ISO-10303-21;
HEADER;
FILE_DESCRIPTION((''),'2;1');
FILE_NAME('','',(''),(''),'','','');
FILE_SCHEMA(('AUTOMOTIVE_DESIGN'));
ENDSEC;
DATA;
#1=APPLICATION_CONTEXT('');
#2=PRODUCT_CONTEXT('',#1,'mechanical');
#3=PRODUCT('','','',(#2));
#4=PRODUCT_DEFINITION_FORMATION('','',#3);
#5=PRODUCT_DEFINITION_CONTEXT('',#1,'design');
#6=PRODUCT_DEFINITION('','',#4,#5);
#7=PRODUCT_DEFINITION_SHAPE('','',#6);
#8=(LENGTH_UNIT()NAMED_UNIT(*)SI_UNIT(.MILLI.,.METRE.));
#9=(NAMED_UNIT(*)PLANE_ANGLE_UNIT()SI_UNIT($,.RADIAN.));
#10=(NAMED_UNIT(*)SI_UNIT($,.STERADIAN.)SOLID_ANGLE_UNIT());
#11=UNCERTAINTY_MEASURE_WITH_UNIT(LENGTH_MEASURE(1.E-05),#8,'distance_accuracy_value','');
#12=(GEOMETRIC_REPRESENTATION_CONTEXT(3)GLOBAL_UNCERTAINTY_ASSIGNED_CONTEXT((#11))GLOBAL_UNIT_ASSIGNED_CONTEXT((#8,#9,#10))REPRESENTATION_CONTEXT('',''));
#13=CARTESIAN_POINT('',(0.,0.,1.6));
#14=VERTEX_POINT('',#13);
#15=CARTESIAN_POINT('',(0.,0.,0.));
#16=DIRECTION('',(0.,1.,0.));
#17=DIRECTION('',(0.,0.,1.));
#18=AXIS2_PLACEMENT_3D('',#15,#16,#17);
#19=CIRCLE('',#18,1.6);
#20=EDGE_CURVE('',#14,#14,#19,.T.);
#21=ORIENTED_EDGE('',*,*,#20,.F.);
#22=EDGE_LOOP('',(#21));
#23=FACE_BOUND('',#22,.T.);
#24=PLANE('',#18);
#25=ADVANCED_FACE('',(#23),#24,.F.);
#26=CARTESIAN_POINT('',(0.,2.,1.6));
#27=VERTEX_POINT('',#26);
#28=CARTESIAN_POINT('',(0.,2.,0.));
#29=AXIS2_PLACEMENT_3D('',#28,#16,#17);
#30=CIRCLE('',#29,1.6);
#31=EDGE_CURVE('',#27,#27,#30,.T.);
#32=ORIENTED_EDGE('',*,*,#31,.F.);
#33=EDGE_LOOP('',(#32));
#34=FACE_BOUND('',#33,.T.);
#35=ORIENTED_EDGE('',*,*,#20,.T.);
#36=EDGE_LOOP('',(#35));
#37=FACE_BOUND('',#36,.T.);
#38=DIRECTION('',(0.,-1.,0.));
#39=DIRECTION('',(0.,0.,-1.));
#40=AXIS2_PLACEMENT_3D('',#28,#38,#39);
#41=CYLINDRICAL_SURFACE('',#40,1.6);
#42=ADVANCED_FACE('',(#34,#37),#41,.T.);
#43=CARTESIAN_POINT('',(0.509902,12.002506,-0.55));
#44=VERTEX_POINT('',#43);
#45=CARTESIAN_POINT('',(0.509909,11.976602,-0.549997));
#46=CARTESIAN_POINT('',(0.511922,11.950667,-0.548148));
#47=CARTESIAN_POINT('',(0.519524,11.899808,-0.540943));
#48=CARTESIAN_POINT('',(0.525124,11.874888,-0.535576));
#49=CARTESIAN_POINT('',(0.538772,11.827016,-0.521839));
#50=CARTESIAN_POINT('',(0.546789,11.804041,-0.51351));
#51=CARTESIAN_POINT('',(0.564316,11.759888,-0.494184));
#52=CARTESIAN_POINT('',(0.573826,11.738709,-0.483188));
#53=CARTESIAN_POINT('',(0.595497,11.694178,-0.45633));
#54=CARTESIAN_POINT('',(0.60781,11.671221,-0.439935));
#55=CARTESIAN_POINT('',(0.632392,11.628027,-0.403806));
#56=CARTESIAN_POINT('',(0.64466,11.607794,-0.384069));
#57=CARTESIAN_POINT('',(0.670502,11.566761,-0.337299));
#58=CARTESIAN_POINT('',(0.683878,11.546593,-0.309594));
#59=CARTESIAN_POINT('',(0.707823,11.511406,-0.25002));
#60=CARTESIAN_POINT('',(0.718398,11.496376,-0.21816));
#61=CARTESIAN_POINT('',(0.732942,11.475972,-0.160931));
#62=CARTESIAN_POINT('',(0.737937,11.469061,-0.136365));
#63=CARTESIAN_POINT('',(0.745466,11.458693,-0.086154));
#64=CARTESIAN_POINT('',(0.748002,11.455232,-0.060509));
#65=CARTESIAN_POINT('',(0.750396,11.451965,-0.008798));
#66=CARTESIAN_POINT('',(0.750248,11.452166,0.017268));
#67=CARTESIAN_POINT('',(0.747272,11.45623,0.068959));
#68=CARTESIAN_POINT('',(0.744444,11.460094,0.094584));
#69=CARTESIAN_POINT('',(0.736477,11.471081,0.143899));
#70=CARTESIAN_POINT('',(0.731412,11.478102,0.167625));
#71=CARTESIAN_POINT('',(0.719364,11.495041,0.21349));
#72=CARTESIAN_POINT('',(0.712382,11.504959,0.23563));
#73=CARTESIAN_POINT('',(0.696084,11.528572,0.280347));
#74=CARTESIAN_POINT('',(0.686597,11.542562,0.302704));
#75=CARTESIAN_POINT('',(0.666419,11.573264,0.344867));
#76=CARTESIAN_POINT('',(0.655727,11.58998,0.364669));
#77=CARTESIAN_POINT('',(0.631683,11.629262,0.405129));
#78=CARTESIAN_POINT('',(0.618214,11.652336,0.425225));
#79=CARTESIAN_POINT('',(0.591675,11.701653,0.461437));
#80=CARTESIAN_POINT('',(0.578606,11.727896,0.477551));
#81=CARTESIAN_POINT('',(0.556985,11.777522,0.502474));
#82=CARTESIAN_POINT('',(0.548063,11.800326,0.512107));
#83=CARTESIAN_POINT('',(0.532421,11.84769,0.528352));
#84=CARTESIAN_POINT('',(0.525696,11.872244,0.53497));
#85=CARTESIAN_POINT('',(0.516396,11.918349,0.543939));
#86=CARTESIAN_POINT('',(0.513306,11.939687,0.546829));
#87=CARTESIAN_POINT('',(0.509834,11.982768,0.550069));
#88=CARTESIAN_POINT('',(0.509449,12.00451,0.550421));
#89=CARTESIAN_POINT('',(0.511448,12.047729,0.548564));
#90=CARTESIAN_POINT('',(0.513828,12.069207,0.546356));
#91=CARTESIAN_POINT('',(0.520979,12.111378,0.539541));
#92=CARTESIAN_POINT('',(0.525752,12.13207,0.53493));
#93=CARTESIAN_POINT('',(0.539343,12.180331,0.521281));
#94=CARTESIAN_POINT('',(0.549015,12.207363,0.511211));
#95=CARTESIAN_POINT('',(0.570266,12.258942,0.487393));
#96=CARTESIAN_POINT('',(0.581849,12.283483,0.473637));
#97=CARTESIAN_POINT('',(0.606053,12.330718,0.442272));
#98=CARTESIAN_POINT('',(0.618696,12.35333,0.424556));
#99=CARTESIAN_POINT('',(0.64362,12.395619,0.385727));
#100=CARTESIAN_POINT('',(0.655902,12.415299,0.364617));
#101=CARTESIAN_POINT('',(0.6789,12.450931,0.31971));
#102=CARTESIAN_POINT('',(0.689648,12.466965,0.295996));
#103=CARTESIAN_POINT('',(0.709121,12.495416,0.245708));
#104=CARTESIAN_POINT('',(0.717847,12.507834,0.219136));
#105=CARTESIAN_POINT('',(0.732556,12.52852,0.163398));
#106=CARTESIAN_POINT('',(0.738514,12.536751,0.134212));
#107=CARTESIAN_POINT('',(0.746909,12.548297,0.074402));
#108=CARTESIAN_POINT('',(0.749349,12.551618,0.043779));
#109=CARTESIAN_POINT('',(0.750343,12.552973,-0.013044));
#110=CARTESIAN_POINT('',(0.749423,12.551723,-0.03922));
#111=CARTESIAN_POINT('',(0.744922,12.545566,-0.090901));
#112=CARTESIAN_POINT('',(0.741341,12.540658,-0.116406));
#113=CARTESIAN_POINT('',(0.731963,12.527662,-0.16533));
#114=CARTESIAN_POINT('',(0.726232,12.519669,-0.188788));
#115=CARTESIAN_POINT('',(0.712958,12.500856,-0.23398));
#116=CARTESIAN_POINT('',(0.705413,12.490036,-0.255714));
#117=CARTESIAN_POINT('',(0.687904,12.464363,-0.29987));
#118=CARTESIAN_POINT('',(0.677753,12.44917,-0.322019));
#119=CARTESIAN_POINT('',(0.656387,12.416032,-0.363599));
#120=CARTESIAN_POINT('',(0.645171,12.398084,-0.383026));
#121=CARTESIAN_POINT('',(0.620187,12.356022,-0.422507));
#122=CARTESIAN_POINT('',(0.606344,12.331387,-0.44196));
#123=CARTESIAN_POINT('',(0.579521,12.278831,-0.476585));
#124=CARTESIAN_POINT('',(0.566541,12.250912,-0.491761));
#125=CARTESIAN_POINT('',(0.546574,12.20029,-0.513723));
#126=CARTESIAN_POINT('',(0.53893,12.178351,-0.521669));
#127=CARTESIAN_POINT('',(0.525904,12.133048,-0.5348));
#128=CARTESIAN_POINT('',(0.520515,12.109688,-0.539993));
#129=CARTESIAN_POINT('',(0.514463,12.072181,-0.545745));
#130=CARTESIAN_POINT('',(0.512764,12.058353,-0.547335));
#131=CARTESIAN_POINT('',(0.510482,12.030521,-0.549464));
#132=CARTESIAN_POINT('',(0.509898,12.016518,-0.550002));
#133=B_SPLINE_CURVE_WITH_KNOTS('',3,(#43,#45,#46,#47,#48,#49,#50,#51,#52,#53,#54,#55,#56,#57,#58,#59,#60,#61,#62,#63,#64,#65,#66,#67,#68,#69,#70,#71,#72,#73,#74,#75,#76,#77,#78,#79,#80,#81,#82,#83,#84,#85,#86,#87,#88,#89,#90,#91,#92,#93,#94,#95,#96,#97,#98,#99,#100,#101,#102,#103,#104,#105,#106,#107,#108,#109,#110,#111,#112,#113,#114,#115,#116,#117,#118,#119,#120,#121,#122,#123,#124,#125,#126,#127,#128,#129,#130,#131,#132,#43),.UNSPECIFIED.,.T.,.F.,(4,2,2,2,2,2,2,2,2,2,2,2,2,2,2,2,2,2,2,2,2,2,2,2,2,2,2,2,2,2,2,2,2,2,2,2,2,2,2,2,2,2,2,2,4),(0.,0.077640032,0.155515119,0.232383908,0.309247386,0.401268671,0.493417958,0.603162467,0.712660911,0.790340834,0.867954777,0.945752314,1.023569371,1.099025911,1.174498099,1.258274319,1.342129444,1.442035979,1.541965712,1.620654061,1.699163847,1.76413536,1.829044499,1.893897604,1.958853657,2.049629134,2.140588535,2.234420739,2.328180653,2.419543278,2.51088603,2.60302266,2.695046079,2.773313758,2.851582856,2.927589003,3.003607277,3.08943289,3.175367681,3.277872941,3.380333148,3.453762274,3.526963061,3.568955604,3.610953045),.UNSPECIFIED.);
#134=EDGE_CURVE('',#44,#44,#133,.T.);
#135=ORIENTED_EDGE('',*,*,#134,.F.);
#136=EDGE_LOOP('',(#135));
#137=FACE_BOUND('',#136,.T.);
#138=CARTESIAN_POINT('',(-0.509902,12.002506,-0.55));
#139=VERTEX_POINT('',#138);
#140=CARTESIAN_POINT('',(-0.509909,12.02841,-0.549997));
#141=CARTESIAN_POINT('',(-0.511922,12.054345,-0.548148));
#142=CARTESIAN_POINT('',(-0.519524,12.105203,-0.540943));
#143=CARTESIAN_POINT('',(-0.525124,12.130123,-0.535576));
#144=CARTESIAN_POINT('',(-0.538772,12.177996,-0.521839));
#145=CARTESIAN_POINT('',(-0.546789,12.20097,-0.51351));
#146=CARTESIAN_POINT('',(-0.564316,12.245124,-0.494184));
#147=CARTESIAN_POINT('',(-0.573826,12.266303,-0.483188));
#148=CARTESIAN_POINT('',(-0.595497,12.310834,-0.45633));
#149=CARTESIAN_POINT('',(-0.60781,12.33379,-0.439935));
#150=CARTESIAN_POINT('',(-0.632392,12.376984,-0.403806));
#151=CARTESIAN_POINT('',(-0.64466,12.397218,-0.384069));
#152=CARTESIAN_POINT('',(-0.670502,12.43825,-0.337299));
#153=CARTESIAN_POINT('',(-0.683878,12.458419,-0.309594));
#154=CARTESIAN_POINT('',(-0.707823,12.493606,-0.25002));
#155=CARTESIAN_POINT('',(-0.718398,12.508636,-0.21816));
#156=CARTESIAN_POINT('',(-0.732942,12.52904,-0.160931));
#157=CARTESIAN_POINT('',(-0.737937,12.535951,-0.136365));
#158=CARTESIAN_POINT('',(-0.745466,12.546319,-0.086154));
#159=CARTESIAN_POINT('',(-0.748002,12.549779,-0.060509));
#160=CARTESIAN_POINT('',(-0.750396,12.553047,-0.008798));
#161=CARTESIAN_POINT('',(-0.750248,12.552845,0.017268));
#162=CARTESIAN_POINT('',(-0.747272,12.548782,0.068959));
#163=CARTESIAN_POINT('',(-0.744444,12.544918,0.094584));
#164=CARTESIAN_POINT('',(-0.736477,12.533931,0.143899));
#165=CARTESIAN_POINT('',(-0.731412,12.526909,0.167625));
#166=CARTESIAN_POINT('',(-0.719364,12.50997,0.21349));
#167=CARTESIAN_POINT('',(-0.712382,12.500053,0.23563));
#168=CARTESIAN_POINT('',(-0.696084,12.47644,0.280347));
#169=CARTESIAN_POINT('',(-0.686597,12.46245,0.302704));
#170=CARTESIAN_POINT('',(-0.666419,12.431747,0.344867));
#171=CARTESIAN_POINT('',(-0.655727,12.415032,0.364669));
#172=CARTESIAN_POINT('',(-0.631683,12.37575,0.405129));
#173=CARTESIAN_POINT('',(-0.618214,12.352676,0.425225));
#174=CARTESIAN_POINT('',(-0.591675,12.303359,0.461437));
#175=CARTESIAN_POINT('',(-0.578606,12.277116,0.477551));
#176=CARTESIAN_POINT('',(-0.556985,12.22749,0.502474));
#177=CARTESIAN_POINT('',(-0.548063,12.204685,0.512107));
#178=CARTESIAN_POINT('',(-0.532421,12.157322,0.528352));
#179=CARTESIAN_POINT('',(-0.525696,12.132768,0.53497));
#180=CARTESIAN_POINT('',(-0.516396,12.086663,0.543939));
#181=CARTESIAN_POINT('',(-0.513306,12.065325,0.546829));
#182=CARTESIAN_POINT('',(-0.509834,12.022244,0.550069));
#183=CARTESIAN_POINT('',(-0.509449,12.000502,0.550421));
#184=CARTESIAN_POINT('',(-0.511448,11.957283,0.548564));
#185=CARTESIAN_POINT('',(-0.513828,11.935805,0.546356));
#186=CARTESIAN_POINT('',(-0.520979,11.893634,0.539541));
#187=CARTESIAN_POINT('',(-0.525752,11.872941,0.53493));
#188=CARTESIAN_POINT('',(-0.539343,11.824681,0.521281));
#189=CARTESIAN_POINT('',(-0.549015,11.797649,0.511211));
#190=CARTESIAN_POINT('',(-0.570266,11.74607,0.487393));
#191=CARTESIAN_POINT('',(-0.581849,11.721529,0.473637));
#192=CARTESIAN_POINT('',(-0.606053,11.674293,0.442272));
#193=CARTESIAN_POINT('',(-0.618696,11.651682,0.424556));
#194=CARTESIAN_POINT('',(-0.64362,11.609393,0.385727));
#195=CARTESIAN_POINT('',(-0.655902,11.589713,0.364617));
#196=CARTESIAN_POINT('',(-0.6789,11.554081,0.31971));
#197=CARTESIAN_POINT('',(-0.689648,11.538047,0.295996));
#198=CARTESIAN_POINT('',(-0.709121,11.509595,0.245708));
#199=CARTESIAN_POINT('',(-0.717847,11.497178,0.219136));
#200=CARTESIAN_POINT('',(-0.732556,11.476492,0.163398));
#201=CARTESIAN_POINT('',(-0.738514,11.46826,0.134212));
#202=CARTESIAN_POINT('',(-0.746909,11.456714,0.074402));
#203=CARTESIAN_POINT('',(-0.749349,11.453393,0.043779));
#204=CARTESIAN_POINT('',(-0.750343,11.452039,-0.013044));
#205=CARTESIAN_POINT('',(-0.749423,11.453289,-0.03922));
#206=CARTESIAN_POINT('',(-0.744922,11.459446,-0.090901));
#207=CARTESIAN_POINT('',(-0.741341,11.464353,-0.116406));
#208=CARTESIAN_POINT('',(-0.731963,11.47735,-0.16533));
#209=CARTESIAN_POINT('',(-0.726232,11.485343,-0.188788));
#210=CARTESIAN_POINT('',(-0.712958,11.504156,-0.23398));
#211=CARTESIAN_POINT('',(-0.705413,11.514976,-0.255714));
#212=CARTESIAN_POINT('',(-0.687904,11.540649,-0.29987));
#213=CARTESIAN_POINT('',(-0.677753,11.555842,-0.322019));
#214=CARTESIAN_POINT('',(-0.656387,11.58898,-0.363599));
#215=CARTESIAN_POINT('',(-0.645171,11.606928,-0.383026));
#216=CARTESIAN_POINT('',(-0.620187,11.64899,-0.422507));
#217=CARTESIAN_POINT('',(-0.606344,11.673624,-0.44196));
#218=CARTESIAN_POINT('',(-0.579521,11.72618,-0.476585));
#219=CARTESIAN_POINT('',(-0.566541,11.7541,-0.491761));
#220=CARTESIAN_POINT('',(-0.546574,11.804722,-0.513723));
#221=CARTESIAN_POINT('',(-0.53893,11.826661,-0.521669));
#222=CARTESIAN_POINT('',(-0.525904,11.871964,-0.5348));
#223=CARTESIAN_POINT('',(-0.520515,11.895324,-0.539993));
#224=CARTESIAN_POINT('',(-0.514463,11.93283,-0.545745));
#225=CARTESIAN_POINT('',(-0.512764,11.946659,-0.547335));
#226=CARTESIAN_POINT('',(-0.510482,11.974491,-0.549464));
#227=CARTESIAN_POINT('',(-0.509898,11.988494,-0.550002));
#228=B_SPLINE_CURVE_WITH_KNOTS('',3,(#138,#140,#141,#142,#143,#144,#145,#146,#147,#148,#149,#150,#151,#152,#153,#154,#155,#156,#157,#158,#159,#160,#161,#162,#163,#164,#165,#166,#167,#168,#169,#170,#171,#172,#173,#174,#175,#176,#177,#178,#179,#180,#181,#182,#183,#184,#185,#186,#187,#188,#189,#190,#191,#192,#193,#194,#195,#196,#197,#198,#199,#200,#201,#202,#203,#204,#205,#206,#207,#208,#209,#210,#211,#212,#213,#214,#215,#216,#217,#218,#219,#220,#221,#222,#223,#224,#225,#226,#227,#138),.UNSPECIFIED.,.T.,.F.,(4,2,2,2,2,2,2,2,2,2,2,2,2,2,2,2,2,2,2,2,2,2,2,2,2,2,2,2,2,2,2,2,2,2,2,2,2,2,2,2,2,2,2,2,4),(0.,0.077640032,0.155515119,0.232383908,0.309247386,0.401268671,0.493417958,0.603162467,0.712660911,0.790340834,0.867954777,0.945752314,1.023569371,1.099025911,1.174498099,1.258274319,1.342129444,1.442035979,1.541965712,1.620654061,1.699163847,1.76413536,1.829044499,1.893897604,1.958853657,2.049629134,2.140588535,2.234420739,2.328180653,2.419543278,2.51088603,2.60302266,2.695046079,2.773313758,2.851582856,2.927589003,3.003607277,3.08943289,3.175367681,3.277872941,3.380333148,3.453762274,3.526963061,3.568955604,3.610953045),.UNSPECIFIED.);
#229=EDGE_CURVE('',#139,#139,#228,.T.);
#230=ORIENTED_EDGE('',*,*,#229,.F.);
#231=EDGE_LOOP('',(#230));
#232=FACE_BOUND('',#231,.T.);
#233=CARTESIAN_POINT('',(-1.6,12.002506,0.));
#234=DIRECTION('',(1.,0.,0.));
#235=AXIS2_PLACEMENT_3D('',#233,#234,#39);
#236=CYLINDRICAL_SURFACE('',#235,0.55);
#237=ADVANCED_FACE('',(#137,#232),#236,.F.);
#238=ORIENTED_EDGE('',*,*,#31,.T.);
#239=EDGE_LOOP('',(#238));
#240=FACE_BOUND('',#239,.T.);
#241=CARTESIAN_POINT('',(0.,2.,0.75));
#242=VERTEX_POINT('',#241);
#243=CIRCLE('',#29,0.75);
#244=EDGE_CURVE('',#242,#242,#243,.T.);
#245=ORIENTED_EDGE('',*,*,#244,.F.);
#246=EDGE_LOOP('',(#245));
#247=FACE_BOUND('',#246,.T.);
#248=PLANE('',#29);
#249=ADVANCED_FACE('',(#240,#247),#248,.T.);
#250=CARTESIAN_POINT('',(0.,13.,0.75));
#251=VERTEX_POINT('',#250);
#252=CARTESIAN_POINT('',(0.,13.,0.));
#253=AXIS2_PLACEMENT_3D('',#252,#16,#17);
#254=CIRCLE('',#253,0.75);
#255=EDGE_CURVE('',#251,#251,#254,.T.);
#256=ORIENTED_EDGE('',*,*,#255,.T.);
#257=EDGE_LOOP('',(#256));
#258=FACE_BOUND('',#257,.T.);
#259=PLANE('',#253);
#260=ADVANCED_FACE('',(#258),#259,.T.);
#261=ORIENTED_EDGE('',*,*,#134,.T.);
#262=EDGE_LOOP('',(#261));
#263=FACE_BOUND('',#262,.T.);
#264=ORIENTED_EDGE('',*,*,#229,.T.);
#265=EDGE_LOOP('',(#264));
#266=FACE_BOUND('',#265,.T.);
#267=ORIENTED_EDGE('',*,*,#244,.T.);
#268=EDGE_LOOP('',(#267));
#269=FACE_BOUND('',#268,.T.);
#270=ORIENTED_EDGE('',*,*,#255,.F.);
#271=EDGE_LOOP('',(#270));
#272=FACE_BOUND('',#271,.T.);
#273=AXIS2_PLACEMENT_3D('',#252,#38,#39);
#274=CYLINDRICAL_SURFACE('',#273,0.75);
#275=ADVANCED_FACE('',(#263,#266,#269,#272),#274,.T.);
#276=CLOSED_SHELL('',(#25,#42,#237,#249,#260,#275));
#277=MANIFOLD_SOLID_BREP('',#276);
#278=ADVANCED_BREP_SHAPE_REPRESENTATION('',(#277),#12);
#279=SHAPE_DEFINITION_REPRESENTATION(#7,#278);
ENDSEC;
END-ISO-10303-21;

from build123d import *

# Parameters (mm, degrees)
SKETCH3_R               = 1.6
BOSS_EXTRUDE1_DEPTH     = 2
SKETCH4_R               = 0.75
BOSS_EXTRUDE2_DEPTH     = 11
CUT_EXTRUDE1_DEPTH      = 14.195453763
CUT_EXTRUDE1_DEPTH_BACK = 14.195453763
SKETCH5_R               = 0.55


with BuildPart() as part:
    # Sketch3 → Boss-Extrude1 (new body)
    with BuildSketch(Plane(origin=(0, 0, 0), x_dir=(1, 0, 0), z_dir=(0, 1, 0))):
        with Locations(Location((0, 0, 0), (0, 0, 270))):
            Circle(SKETCH3_R)
    extrude(amount=BOSS_EXTRUDE1_DEPTH)

    # Sketch4 → Boss-Extrude2 (add)
    with BuildSketch(Plane(origin=(0, 2, 0), x_dir=(1, 0, 0), z_dir=(0, 1, 0))):
        with Locations(Location((0, 0, 0), (0, 0, 270))):
            Circle(SKETCH4_R)
    extrude(amount=BOSS_EXTRUDE2_DEPTH)

    # Sketch5 → Cut-Extrude1 (cut, two sides: drawn at the far end of the back side and taken through both)
    with BuildSketch(Plane(origin=(0, 0, 0), x_dir=(0, 0, -1), z_dir=(1, 0, 0)).offset(-CUT_EXTRUDE1_DEPTH_BACK)):
        with Locations((0, 12.002505873)):
            Circle(SKETCH5_R)
    extrude(amount=CUT_EXTRUDE1_DEPTH + CUT_EXTRUDE1_DEPTH_BACK, mode=Mode.SUBTRACT)


solid = part.part
